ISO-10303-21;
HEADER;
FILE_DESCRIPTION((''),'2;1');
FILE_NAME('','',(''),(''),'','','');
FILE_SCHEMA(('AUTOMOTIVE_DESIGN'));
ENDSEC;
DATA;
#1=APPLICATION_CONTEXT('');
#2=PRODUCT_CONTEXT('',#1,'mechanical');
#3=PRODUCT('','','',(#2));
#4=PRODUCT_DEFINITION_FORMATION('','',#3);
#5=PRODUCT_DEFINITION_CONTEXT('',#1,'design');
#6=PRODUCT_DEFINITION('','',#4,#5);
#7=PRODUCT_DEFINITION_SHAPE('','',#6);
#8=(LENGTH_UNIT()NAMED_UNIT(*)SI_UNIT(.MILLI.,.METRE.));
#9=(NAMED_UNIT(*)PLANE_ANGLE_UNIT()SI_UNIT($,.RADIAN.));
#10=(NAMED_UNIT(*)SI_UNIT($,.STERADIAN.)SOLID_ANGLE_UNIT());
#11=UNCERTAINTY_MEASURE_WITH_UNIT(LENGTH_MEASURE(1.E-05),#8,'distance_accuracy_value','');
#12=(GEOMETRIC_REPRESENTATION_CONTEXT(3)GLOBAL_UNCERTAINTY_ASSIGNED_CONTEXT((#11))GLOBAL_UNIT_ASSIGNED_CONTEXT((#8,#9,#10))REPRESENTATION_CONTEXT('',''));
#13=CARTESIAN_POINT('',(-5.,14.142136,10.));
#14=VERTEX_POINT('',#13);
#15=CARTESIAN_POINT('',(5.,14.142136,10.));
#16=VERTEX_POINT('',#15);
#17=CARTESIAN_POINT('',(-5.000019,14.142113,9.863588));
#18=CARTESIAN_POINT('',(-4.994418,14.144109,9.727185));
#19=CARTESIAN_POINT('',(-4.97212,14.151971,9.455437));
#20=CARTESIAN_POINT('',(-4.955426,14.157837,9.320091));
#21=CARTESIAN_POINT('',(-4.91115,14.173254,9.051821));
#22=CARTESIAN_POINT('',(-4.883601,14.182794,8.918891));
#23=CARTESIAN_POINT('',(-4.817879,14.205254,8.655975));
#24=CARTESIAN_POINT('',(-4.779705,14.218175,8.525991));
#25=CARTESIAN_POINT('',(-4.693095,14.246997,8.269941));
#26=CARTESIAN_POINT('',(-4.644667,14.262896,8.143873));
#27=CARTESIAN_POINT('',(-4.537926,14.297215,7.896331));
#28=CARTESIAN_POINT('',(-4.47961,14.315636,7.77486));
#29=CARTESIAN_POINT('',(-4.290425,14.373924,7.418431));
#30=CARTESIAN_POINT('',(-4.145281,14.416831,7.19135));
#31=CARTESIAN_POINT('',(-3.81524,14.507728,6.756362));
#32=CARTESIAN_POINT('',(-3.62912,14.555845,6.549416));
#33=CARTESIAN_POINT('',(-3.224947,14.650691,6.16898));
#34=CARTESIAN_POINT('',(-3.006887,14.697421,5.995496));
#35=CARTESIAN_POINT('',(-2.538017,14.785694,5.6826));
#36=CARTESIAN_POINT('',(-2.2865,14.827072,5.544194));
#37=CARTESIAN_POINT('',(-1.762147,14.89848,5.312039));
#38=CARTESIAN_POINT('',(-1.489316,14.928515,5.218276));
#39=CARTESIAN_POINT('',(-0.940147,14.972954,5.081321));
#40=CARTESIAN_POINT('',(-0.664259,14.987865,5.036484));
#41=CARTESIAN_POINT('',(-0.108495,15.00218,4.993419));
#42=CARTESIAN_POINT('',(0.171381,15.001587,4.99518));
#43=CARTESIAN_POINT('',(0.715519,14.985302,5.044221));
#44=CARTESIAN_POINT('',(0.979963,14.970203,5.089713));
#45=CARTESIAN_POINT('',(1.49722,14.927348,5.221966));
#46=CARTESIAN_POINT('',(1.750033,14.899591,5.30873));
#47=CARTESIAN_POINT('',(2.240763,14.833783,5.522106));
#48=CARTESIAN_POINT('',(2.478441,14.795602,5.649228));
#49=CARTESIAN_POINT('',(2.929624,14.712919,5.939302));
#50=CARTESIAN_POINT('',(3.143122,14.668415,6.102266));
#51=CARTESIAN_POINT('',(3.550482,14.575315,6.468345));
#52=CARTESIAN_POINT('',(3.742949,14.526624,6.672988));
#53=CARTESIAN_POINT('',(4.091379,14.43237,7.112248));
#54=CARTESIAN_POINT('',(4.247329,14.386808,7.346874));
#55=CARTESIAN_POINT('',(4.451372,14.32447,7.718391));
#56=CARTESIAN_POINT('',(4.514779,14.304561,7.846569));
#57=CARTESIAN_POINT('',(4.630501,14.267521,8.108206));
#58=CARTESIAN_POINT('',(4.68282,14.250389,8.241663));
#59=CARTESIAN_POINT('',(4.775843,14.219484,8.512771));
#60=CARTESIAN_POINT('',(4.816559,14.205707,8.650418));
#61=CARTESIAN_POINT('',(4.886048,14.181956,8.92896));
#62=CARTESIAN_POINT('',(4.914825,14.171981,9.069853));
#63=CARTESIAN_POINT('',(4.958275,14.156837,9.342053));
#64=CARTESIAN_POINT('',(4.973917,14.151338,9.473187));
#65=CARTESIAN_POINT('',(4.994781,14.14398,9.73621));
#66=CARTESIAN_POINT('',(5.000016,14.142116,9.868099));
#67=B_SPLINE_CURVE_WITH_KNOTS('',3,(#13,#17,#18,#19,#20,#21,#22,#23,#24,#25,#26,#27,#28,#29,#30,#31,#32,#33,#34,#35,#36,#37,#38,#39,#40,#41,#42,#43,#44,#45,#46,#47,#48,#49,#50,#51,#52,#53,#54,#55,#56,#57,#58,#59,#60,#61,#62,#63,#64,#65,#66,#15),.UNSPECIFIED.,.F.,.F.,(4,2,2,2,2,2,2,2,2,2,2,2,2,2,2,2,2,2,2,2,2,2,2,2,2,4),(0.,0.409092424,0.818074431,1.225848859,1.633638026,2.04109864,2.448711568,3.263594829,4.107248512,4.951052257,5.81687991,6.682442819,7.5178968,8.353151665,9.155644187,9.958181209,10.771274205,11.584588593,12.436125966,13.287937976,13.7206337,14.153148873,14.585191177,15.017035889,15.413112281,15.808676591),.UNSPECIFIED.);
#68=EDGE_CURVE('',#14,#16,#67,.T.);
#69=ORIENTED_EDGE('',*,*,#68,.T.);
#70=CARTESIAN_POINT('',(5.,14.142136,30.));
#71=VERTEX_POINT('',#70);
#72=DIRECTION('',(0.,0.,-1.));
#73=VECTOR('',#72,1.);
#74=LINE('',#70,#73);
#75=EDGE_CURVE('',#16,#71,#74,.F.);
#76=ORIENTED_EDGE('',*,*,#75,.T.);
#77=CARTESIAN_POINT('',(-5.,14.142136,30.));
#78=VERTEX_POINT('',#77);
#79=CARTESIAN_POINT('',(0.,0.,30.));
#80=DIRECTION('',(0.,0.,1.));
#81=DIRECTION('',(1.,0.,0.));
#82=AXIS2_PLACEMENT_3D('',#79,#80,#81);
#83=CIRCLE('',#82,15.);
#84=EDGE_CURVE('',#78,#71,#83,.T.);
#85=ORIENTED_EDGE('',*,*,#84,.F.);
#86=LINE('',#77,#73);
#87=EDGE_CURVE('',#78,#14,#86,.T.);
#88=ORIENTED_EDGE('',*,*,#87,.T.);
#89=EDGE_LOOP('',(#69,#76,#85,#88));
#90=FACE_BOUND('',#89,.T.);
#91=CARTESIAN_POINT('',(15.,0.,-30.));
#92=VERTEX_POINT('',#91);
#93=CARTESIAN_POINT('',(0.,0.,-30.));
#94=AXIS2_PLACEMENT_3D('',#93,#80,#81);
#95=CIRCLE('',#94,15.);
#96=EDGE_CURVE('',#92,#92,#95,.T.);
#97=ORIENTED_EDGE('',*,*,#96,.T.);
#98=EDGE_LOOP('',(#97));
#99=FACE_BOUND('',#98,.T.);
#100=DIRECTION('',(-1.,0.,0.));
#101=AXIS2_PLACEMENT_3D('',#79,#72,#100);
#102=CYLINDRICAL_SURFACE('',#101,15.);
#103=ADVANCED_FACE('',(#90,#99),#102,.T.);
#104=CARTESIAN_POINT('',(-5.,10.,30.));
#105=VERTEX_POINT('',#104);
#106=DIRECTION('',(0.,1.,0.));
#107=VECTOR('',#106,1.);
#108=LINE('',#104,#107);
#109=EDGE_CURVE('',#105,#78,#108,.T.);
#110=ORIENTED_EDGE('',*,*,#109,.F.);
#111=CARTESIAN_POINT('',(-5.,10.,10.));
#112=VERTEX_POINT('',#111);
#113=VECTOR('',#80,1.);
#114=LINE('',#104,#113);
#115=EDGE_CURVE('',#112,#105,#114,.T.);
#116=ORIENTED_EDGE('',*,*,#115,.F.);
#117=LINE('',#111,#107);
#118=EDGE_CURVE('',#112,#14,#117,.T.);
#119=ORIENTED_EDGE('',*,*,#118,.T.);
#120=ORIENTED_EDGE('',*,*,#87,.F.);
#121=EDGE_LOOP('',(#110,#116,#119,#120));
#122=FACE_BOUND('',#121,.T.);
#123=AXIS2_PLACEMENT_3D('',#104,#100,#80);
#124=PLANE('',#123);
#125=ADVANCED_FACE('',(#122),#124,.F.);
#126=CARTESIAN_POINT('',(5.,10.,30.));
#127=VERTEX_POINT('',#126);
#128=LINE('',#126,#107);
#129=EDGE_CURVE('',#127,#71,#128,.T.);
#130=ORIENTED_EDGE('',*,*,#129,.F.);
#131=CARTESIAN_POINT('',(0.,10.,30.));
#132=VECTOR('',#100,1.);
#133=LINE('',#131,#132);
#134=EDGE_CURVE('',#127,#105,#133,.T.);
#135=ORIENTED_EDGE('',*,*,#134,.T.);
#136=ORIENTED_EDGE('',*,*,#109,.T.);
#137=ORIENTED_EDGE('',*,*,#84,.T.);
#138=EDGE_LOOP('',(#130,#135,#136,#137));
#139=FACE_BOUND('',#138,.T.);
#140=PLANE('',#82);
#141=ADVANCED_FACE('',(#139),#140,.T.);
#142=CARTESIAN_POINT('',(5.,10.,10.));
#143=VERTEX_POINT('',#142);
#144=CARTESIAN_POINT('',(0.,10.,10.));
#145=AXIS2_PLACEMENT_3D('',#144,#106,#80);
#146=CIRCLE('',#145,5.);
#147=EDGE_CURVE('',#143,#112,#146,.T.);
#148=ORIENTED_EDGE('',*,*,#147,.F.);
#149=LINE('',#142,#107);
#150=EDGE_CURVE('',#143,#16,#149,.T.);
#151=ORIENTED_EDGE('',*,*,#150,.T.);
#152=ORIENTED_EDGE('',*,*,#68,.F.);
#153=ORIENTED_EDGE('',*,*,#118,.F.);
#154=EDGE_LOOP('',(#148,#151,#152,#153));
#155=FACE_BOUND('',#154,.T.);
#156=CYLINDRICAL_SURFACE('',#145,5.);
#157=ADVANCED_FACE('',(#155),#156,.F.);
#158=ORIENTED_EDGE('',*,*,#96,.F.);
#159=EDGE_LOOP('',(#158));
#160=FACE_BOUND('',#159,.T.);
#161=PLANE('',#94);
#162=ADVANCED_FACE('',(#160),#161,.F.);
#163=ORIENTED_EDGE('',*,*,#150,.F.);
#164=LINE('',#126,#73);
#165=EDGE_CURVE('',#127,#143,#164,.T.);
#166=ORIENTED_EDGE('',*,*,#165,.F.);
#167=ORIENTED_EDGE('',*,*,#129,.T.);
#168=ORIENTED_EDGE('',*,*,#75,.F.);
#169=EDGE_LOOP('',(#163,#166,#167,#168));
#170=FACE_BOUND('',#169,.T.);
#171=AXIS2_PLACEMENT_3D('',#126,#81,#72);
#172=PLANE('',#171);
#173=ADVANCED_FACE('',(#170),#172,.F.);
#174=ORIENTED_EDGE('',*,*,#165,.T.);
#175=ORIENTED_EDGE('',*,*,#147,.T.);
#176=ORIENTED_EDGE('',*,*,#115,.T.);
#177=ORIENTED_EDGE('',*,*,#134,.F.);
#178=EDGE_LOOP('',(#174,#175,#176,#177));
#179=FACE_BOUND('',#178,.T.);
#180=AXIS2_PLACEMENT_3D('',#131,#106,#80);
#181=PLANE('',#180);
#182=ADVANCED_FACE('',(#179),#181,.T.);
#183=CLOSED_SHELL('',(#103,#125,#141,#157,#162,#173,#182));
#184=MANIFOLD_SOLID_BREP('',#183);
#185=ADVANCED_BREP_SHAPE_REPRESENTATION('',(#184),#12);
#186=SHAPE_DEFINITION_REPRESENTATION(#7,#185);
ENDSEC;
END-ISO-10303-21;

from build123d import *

# Parameters (mm, degrees)
SKETCH2_R           = 15
BOSS_EXTRUDE1_DEPTH = 30
CUT_EXTRUDE1_DEPTH  = 5


with BuildPart() as part:
    # Sketch2 → Boss-Extrude1 (new, symmetric)
    with BuildSketch(Plane.XY):
        Circle(SKETCH2_R)
    extrude(amount=BOSS_EXTRUDE1_DEPTH, both=True)

    # Sketch3 → Cut-Extrude1 (cut)
    with BuildSketch(Plane(origin=(0, 15, 0), x_dir=(1, 0, 0), z_dir=(0, 1, 0))):
        with BuildLine():
            Line((-5, -30), (-5, -10))
            ThreePointArc((-5, -10), (0, -5), (5, -10))
            Line((5, -10), (5, -30))
            ThreePointArc((5, -30), (0, -35), (-5, -30))
        make_face()
    extrude(amount=-CUT_EXTRUDE1_DEPTH, mode=Mode.SUBTRACT)


solid = part.part
